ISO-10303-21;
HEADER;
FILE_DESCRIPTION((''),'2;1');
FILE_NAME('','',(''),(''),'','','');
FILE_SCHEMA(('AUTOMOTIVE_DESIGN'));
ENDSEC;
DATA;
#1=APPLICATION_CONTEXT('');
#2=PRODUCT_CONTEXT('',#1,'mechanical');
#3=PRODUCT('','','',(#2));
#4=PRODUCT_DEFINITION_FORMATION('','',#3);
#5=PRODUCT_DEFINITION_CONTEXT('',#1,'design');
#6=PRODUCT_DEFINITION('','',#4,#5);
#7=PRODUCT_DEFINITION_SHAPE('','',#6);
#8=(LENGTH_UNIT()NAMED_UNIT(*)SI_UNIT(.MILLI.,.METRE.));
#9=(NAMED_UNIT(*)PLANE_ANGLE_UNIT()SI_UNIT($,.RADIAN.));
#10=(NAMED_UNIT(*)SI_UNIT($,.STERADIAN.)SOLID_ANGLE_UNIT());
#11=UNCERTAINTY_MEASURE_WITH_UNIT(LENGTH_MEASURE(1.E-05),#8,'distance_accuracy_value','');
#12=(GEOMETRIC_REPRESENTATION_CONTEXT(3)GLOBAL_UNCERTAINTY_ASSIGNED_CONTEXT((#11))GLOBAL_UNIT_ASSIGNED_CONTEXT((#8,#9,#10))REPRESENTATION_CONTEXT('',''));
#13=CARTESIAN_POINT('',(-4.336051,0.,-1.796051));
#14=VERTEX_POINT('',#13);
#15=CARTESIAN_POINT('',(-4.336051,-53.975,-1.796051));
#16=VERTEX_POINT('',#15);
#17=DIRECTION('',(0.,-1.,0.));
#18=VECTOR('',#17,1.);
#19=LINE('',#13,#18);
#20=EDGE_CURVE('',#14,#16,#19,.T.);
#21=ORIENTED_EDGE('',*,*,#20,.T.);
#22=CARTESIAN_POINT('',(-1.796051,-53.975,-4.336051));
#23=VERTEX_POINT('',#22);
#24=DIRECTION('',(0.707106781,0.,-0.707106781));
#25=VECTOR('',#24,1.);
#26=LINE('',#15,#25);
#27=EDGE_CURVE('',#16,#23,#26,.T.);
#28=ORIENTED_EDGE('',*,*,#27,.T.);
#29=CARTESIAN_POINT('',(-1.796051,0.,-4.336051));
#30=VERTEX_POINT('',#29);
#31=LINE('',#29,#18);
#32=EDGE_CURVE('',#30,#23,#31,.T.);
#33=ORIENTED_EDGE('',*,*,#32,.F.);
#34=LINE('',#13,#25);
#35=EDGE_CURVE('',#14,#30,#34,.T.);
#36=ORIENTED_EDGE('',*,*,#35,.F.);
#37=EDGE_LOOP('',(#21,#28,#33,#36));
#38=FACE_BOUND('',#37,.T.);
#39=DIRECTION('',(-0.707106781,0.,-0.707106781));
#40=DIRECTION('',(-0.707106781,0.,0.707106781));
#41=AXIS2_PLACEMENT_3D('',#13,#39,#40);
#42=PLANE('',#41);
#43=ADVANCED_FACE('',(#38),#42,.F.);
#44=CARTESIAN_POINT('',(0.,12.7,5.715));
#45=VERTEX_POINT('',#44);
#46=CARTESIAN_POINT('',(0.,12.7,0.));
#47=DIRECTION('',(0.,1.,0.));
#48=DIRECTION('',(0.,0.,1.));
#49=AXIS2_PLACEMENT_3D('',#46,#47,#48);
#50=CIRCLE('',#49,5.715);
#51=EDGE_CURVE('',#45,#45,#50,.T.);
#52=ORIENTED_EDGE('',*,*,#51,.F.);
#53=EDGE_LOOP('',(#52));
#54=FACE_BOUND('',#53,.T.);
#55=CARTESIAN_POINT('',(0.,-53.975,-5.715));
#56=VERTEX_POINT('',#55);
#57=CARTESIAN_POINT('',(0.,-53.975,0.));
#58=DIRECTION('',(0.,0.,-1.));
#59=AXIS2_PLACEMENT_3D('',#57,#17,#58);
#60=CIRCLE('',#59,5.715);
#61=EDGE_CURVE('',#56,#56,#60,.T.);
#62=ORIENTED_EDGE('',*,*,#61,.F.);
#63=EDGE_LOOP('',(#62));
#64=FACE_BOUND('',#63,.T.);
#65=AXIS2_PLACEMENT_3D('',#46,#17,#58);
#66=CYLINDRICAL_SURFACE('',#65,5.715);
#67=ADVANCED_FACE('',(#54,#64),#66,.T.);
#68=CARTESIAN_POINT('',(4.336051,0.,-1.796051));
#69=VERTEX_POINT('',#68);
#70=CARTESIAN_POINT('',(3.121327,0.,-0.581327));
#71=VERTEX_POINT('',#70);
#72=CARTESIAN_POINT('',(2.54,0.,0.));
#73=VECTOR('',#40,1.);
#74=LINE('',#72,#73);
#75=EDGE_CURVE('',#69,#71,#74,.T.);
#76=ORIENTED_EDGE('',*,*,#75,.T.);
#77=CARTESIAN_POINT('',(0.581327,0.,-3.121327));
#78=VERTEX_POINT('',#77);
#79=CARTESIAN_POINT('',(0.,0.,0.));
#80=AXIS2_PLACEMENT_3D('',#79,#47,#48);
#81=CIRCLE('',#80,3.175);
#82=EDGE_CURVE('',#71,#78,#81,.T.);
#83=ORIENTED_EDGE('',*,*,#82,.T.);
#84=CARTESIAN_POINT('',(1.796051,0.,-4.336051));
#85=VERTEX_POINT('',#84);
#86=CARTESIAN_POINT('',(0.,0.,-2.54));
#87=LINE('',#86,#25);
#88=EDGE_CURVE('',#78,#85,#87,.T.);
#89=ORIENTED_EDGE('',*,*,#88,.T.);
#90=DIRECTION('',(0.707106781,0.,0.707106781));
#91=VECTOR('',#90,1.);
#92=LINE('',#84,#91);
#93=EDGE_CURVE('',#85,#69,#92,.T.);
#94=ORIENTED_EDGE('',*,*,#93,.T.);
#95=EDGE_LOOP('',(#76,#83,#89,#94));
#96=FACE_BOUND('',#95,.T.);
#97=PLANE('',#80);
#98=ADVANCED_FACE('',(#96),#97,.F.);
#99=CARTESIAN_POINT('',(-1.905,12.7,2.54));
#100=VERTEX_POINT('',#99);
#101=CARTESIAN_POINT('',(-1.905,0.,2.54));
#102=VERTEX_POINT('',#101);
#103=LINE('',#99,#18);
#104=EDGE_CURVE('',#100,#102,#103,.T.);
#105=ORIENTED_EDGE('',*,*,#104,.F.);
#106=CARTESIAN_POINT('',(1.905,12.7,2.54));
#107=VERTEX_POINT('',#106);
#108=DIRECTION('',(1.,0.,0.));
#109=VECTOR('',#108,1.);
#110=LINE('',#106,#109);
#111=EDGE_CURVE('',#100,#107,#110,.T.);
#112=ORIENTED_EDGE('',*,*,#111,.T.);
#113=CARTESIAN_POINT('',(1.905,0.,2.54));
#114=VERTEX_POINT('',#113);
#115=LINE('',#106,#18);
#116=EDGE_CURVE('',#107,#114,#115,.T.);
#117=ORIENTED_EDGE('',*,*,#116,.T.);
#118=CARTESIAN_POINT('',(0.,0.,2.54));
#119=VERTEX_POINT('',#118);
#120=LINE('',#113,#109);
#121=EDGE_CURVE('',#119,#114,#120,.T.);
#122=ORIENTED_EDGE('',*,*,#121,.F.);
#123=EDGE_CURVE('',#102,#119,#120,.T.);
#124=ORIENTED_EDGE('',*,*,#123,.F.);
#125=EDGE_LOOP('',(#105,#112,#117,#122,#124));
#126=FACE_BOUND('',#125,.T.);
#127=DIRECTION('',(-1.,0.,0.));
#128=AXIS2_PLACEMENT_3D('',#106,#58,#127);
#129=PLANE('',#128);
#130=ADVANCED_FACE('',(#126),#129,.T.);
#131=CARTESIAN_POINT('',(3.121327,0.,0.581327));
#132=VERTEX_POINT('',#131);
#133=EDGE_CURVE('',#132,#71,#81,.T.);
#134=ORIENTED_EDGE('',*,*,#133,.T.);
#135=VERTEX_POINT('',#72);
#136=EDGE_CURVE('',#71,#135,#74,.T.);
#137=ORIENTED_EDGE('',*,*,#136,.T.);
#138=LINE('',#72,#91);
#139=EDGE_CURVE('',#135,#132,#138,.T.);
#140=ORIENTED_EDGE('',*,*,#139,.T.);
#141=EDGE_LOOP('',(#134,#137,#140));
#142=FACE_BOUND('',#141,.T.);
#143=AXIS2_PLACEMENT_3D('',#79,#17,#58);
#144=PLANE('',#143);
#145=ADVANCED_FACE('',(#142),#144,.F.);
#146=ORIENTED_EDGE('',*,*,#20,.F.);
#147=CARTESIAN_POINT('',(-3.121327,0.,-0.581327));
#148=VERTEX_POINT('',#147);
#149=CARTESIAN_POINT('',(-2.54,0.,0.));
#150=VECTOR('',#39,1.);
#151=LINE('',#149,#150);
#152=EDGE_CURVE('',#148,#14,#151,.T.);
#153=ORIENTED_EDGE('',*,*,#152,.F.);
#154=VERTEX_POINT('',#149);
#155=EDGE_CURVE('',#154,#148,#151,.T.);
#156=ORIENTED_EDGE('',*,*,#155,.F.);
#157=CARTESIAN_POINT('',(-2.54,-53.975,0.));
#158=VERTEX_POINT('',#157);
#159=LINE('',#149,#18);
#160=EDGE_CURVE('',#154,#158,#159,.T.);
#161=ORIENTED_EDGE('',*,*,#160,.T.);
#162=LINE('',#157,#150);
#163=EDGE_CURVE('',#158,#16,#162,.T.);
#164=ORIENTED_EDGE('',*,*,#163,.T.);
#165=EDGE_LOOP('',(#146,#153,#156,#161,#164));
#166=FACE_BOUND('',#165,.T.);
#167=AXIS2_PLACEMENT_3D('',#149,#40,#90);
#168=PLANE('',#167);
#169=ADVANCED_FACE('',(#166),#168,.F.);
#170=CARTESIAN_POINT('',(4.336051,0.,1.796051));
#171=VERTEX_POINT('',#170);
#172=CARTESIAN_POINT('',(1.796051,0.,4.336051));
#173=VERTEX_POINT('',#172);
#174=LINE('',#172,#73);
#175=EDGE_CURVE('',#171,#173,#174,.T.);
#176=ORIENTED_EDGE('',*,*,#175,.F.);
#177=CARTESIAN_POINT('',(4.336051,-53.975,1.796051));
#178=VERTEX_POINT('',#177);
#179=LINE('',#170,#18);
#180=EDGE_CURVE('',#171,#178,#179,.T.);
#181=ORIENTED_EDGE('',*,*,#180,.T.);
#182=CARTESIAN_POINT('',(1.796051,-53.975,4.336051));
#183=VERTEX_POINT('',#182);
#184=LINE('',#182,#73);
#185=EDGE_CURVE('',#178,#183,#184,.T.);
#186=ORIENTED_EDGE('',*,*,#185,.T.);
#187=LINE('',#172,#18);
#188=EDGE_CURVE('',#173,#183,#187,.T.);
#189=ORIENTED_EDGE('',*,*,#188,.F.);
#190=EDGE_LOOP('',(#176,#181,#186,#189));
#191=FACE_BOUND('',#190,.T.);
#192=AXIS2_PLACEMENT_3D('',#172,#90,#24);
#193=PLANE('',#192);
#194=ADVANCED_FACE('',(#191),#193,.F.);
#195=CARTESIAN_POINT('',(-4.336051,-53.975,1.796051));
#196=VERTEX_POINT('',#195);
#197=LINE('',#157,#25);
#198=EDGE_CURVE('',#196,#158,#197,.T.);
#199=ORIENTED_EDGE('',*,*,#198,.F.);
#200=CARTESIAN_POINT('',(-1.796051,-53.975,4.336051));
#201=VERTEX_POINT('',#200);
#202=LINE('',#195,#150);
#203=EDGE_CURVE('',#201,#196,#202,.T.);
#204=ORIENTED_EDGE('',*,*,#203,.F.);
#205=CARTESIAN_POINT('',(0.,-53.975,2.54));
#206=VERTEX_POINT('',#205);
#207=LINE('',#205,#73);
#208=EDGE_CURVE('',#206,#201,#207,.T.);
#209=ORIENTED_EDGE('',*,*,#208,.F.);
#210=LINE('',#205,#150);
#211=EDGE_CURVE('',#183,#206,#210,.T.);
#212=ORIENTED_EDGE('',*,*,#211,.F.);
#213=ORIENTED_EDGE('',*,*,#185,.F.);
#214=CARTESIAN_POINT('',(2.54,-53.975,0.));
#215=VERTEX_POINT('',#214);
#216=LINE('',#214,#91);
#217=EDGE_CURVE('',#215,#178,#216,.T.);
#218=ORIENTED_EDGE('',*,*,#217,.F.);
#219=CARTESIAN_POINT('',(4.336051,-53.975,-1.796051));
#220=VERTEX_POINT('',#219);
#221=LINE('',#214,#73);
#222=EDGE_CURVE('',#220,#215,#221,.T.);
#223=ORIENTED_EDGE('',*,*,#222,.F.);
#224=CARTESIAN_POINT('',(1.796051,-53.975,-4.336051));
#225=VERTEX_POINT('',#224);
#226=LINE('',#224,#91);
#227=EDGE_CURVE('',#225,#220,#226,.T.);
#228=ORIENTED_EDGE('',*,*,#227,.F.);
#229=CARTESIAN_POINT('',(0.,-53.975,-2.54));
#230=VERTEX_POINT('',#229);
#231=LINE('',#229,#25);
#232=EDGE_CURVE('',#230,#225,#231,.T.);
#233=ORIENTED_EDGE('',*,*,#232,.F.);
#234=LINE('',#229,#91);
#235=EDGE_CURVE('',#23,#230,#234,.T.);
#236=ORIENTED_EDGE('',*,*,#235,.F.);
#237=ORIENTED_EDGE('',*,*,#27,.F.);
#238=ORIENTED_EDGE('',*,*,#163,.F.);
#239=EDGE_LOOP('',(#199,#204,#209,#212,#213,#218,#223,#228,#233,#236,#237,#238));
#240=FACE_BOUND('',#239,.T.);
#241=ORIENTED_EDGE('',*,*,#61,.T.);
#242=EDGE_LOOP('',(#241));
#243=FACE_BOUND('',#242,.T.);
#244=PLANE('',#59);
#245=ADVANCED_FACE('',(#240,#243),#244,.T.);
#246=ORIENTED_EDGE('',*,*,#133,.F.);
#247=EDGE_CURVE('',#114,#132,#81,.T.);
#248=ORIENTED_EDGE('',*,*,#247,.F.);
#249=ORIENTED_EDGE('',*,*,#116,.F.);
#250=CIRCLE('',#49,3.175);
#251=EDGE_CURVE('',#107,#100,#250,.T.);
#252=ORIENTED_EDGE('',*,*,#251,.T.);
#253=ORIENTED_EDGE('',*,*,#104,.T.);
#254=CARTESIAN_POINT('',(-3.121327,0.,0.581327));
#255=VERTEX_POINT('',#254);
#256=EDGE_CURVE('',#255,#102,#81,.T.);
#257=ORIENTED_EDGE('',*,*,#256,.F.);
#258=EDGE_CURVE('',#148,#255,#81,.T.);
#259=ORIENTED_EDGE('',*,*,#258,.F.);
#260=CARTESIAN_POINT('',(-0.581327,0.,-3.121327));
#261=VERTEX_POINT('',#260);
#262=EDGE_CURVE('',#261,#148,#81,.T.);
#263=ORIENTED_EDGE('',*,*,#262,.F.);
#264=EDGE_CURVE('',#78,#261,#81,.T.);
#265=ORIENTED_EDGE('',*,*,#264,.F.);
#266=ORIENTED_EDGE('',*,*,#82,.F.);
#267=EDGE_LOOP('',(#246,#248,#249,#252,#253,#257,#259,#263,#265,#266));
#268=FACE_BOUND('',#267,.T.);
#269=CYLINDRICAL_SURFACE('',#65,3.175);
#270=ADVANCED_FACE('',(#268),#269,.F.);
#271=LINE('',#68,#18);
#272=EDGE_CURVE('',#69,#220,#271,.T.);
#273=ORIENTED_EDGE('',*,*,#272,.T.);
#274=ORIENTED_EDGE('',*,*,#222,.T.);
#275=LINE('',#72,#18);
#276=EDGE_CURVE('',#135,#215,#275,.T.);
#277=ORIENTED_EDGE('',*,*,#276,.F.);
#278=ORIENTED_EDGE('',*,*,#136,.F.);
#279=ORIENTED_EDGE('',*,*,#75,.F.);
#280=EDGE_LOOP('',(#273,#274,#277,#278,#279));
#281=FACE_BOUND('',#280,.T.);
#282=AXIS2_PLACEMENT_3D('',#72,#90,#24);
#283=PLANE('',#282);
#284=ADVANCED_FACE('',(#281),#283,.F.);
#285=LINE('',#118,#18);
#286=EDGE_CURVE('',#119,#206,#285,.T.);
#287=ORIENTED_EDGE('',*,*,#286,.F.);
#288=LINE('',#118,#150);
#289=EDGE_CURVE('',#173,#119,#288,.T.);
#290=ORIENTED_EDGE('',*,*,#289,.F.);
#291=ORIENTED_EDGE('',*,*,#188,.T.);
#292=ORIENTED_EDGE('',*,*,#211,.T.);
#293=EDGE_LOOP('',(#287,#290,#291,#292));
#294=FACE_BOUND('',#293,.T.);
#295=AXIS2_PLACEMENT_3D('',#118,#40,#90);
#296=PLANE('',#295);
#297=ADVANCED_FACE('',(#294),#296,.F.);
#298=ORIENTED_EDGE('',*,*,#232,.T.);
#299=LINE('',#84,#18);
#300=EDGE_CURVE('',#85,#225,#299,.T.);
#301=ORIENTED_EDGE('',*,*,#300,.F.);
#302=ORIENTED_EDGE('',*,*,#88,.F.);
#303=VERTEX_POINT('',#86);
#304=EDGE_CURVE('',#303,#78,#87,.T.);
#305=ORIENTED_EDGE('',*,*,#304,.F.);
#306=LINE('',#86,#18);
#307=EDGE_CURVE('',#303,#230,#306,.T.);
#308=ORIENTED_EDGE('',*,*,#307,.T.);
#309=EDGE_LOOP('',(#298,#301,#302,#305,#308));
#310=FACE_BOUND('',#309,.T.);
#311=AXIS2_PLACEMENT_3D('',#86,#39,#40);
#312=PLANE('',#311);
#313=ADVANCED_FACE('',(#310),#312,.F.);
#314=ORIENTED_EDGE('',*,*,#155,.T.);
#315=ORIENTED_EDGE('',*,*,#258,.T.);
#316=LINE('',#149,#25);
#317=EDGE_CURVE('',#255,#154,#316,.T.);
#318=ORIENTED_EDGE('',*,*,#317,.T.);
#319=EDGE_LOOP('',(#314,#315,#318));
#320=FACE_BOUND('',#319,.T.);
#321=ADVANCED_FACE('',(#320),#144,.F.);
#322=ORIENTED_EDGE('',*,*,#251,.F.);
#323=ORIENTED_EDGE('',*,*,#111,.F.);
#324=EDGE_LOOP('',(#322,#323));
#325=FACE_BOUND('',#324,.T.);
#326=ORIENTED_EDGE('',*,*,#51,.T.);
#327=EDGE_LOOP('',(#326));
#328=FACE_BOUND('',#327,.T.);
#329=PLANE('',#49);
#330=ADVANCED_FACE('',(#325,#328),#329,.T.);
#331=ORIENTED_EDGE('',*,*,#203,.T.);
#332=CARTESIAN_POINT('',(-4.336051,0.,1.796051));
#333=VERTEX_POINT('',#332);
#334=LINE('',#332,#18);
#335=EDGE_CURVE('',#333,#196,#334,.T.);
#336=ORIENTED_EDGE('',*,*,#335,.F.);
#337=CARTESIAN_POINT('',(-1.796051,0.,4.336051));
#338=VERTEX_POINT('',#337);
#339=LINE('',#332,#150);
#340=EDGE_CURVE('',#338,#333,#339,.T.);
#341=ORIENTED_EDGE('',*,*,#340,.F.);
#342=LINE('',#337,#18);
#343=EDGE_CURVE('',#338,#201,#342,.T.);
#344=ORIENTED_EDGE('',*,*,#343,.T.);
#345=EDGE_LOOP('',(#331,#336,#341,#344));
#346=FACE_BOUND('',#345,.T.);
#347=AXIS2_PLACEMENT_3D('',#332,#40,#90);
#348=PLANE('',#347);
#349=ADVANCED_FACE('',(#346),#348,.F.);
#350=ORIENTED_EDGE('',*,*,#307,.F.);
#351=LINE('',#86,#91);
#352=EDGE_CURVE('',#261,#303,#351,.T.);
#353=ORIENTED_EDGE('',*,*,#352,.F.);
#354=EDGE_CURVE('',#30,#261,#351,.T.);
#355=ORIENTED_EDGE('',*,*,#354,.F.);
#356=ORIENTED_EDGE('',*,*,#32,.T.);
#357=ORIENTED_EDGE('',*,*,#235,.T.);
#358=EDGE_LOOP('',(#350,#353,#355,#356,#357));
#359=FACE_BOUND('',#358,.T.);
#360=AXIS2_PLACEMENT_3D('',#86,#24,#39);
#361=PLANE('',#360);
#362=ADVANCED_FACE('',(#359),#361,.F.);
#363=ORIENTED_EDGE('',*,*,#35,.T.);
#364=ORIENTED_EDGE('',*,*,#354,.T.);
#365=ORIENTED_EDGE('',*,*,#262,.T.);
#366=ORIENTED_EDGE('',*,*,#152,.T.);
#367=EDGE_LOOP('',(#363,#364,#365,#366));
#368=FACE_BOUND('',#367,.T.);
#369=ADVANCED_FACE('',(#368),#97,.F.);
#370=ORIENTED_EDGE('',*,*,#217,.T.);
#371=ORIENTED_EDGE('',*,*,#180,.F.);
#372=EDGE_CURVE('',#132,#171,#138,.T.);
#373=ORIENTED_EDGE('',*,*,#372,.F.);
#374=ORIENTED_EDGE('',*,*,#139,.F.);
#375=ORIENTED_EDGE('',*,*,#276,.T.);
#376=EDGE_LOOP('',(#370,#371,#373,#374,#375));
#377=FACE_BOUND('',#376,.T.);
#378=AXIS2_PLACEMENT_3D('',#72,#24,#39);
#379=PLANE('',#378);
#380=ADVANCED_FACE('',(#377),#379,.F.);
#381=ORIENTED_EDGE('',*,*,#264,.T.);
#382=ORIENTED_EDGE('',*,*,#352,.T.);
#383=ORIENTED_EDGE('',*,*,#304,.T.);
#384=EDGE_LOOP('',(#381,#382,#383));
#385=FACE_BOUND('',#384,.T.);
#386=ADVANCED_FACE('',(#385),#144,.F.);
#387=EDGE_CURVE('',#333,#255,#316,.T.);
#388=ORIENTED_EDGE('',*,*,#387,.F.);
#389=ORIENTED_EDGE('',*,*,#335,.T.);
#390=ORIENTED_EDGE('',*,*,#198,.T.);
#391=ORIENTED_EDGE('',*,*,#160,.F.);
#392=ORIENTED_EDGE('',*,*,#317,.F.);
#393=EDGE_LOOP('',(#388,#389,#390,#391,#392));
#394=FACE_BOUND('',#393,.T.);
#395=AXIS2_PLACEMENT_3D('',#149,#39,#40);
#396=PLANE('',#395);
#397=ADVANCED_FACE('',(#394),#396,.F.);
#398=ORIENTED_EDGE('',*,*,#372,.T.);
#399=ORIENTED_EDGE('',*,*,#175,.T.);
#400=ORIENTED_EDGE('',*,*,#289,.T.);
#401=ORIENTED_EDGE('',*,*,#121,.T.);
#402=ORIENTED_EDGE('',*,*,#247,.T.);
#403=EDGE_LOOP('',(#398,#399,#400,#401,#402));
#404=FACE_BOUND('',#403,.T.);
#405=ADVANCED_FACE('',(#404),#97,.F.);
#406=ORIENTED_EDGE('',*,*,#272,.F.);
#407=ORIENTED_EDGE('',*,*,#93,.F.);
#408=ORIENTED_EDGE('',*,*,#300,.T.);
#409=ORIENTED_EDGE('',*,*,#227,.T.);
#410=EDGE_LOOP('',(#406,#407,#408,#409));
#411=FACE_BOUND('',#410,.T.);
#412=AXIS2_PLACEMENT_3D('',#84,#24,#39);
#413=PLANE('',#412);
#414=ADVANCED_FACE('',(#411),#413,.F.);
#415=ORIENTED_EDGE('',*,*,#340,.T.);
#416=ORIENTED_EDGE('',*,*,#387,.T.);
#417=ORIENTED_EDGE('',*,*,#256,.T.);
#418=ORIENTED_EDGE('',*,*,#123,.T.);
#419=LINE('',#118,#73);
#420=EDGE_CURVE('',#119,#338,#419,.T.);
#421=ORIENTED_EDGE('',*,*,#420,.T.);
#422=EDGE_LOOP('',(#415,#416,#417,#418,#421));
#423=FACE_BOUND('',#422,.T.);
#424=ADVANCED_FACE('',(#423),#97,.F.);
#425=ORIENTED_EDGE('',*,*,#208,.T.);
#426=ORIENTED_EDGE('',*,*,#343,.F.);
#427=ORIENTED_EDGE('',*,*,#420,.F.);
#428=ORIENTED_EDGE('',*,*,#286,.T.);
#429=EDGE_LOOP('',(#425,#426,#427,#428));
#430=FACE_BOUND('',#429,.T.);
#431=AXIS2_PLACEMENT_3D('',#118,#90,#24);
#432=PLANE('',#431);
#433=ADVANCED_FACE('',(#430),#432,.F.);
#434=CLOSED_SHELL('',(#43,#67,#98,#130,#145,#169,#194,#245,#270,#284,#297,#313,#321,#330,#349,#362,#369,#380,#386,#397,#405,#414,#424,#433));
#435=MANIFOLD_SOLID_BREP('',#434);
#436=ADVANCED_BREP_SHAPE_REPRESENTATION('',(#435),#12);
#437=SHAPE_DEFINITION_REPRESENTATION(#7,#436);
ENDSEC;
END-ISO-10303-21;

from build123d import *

# Parameters (mm, degrees)
SKETCH1_R           = 5.715
BOSS_EXTRUDE1_DEPTH = 12.7
SKETCH3_R           = 5.715
BOSS_EXTRUDE2_DEPTH = 53.975
CUT_EXTRUDE1_DEPTH  = 53.975


with BuildPart() as part:
    # Sketch1 → Boss-Extrude1 (new body)
    with BuildSketch(Plane(origin=(0, 0, 0), x_dir=(1, 0, 0), z_dir=(0, 1, 0))):
        Circle(SKETCH1_R)
        with BuildLine():
            Line((1.905, -2.54), (-1.905, -2.54))
            ThreePointArc((-1.905, -2.54), (0, 3.175), (1.905, -2.54))
        make_face(mode=Mode.SUBTRACT)
    extrude(amount=BOSS_EXTRUDE1_DEPTH)

    # Sketch3 → Boss-Extrude2 (add)
    with BuildSketch(Plane(origin=(0, 0, 0), x_dir=(-1, 0, 0), z_dir=(0, -1, 0))):
        Circle(SKETCH3_R)
    extrude(amount=BOSS_EXTRUDE2_DEPTH)

    # Sketch4 → Cut-Extrude1 (cut)
    with BuildSketch(Plane.XZ.offset(53.975)):
        Polygon((0, 2.54), (-1.796051224, 4.336051224), (-4.336051224, 1.796051224), (-2.54, 0), (-4.336051224, -1.796051224), (-1.796051224, -4.336051224), (0, -2.54), (1.796051224, -4.336051224), (4.336051224, -1.796051224), (2.54, 0), (4.336051224, 1.796051224), (1.796051224, 4.336051224), align=None)
    extrude(amount=-CUT_EXTRUDE1_DEPTH, mode=Mode.SUBTRACT)


solid = part.part
